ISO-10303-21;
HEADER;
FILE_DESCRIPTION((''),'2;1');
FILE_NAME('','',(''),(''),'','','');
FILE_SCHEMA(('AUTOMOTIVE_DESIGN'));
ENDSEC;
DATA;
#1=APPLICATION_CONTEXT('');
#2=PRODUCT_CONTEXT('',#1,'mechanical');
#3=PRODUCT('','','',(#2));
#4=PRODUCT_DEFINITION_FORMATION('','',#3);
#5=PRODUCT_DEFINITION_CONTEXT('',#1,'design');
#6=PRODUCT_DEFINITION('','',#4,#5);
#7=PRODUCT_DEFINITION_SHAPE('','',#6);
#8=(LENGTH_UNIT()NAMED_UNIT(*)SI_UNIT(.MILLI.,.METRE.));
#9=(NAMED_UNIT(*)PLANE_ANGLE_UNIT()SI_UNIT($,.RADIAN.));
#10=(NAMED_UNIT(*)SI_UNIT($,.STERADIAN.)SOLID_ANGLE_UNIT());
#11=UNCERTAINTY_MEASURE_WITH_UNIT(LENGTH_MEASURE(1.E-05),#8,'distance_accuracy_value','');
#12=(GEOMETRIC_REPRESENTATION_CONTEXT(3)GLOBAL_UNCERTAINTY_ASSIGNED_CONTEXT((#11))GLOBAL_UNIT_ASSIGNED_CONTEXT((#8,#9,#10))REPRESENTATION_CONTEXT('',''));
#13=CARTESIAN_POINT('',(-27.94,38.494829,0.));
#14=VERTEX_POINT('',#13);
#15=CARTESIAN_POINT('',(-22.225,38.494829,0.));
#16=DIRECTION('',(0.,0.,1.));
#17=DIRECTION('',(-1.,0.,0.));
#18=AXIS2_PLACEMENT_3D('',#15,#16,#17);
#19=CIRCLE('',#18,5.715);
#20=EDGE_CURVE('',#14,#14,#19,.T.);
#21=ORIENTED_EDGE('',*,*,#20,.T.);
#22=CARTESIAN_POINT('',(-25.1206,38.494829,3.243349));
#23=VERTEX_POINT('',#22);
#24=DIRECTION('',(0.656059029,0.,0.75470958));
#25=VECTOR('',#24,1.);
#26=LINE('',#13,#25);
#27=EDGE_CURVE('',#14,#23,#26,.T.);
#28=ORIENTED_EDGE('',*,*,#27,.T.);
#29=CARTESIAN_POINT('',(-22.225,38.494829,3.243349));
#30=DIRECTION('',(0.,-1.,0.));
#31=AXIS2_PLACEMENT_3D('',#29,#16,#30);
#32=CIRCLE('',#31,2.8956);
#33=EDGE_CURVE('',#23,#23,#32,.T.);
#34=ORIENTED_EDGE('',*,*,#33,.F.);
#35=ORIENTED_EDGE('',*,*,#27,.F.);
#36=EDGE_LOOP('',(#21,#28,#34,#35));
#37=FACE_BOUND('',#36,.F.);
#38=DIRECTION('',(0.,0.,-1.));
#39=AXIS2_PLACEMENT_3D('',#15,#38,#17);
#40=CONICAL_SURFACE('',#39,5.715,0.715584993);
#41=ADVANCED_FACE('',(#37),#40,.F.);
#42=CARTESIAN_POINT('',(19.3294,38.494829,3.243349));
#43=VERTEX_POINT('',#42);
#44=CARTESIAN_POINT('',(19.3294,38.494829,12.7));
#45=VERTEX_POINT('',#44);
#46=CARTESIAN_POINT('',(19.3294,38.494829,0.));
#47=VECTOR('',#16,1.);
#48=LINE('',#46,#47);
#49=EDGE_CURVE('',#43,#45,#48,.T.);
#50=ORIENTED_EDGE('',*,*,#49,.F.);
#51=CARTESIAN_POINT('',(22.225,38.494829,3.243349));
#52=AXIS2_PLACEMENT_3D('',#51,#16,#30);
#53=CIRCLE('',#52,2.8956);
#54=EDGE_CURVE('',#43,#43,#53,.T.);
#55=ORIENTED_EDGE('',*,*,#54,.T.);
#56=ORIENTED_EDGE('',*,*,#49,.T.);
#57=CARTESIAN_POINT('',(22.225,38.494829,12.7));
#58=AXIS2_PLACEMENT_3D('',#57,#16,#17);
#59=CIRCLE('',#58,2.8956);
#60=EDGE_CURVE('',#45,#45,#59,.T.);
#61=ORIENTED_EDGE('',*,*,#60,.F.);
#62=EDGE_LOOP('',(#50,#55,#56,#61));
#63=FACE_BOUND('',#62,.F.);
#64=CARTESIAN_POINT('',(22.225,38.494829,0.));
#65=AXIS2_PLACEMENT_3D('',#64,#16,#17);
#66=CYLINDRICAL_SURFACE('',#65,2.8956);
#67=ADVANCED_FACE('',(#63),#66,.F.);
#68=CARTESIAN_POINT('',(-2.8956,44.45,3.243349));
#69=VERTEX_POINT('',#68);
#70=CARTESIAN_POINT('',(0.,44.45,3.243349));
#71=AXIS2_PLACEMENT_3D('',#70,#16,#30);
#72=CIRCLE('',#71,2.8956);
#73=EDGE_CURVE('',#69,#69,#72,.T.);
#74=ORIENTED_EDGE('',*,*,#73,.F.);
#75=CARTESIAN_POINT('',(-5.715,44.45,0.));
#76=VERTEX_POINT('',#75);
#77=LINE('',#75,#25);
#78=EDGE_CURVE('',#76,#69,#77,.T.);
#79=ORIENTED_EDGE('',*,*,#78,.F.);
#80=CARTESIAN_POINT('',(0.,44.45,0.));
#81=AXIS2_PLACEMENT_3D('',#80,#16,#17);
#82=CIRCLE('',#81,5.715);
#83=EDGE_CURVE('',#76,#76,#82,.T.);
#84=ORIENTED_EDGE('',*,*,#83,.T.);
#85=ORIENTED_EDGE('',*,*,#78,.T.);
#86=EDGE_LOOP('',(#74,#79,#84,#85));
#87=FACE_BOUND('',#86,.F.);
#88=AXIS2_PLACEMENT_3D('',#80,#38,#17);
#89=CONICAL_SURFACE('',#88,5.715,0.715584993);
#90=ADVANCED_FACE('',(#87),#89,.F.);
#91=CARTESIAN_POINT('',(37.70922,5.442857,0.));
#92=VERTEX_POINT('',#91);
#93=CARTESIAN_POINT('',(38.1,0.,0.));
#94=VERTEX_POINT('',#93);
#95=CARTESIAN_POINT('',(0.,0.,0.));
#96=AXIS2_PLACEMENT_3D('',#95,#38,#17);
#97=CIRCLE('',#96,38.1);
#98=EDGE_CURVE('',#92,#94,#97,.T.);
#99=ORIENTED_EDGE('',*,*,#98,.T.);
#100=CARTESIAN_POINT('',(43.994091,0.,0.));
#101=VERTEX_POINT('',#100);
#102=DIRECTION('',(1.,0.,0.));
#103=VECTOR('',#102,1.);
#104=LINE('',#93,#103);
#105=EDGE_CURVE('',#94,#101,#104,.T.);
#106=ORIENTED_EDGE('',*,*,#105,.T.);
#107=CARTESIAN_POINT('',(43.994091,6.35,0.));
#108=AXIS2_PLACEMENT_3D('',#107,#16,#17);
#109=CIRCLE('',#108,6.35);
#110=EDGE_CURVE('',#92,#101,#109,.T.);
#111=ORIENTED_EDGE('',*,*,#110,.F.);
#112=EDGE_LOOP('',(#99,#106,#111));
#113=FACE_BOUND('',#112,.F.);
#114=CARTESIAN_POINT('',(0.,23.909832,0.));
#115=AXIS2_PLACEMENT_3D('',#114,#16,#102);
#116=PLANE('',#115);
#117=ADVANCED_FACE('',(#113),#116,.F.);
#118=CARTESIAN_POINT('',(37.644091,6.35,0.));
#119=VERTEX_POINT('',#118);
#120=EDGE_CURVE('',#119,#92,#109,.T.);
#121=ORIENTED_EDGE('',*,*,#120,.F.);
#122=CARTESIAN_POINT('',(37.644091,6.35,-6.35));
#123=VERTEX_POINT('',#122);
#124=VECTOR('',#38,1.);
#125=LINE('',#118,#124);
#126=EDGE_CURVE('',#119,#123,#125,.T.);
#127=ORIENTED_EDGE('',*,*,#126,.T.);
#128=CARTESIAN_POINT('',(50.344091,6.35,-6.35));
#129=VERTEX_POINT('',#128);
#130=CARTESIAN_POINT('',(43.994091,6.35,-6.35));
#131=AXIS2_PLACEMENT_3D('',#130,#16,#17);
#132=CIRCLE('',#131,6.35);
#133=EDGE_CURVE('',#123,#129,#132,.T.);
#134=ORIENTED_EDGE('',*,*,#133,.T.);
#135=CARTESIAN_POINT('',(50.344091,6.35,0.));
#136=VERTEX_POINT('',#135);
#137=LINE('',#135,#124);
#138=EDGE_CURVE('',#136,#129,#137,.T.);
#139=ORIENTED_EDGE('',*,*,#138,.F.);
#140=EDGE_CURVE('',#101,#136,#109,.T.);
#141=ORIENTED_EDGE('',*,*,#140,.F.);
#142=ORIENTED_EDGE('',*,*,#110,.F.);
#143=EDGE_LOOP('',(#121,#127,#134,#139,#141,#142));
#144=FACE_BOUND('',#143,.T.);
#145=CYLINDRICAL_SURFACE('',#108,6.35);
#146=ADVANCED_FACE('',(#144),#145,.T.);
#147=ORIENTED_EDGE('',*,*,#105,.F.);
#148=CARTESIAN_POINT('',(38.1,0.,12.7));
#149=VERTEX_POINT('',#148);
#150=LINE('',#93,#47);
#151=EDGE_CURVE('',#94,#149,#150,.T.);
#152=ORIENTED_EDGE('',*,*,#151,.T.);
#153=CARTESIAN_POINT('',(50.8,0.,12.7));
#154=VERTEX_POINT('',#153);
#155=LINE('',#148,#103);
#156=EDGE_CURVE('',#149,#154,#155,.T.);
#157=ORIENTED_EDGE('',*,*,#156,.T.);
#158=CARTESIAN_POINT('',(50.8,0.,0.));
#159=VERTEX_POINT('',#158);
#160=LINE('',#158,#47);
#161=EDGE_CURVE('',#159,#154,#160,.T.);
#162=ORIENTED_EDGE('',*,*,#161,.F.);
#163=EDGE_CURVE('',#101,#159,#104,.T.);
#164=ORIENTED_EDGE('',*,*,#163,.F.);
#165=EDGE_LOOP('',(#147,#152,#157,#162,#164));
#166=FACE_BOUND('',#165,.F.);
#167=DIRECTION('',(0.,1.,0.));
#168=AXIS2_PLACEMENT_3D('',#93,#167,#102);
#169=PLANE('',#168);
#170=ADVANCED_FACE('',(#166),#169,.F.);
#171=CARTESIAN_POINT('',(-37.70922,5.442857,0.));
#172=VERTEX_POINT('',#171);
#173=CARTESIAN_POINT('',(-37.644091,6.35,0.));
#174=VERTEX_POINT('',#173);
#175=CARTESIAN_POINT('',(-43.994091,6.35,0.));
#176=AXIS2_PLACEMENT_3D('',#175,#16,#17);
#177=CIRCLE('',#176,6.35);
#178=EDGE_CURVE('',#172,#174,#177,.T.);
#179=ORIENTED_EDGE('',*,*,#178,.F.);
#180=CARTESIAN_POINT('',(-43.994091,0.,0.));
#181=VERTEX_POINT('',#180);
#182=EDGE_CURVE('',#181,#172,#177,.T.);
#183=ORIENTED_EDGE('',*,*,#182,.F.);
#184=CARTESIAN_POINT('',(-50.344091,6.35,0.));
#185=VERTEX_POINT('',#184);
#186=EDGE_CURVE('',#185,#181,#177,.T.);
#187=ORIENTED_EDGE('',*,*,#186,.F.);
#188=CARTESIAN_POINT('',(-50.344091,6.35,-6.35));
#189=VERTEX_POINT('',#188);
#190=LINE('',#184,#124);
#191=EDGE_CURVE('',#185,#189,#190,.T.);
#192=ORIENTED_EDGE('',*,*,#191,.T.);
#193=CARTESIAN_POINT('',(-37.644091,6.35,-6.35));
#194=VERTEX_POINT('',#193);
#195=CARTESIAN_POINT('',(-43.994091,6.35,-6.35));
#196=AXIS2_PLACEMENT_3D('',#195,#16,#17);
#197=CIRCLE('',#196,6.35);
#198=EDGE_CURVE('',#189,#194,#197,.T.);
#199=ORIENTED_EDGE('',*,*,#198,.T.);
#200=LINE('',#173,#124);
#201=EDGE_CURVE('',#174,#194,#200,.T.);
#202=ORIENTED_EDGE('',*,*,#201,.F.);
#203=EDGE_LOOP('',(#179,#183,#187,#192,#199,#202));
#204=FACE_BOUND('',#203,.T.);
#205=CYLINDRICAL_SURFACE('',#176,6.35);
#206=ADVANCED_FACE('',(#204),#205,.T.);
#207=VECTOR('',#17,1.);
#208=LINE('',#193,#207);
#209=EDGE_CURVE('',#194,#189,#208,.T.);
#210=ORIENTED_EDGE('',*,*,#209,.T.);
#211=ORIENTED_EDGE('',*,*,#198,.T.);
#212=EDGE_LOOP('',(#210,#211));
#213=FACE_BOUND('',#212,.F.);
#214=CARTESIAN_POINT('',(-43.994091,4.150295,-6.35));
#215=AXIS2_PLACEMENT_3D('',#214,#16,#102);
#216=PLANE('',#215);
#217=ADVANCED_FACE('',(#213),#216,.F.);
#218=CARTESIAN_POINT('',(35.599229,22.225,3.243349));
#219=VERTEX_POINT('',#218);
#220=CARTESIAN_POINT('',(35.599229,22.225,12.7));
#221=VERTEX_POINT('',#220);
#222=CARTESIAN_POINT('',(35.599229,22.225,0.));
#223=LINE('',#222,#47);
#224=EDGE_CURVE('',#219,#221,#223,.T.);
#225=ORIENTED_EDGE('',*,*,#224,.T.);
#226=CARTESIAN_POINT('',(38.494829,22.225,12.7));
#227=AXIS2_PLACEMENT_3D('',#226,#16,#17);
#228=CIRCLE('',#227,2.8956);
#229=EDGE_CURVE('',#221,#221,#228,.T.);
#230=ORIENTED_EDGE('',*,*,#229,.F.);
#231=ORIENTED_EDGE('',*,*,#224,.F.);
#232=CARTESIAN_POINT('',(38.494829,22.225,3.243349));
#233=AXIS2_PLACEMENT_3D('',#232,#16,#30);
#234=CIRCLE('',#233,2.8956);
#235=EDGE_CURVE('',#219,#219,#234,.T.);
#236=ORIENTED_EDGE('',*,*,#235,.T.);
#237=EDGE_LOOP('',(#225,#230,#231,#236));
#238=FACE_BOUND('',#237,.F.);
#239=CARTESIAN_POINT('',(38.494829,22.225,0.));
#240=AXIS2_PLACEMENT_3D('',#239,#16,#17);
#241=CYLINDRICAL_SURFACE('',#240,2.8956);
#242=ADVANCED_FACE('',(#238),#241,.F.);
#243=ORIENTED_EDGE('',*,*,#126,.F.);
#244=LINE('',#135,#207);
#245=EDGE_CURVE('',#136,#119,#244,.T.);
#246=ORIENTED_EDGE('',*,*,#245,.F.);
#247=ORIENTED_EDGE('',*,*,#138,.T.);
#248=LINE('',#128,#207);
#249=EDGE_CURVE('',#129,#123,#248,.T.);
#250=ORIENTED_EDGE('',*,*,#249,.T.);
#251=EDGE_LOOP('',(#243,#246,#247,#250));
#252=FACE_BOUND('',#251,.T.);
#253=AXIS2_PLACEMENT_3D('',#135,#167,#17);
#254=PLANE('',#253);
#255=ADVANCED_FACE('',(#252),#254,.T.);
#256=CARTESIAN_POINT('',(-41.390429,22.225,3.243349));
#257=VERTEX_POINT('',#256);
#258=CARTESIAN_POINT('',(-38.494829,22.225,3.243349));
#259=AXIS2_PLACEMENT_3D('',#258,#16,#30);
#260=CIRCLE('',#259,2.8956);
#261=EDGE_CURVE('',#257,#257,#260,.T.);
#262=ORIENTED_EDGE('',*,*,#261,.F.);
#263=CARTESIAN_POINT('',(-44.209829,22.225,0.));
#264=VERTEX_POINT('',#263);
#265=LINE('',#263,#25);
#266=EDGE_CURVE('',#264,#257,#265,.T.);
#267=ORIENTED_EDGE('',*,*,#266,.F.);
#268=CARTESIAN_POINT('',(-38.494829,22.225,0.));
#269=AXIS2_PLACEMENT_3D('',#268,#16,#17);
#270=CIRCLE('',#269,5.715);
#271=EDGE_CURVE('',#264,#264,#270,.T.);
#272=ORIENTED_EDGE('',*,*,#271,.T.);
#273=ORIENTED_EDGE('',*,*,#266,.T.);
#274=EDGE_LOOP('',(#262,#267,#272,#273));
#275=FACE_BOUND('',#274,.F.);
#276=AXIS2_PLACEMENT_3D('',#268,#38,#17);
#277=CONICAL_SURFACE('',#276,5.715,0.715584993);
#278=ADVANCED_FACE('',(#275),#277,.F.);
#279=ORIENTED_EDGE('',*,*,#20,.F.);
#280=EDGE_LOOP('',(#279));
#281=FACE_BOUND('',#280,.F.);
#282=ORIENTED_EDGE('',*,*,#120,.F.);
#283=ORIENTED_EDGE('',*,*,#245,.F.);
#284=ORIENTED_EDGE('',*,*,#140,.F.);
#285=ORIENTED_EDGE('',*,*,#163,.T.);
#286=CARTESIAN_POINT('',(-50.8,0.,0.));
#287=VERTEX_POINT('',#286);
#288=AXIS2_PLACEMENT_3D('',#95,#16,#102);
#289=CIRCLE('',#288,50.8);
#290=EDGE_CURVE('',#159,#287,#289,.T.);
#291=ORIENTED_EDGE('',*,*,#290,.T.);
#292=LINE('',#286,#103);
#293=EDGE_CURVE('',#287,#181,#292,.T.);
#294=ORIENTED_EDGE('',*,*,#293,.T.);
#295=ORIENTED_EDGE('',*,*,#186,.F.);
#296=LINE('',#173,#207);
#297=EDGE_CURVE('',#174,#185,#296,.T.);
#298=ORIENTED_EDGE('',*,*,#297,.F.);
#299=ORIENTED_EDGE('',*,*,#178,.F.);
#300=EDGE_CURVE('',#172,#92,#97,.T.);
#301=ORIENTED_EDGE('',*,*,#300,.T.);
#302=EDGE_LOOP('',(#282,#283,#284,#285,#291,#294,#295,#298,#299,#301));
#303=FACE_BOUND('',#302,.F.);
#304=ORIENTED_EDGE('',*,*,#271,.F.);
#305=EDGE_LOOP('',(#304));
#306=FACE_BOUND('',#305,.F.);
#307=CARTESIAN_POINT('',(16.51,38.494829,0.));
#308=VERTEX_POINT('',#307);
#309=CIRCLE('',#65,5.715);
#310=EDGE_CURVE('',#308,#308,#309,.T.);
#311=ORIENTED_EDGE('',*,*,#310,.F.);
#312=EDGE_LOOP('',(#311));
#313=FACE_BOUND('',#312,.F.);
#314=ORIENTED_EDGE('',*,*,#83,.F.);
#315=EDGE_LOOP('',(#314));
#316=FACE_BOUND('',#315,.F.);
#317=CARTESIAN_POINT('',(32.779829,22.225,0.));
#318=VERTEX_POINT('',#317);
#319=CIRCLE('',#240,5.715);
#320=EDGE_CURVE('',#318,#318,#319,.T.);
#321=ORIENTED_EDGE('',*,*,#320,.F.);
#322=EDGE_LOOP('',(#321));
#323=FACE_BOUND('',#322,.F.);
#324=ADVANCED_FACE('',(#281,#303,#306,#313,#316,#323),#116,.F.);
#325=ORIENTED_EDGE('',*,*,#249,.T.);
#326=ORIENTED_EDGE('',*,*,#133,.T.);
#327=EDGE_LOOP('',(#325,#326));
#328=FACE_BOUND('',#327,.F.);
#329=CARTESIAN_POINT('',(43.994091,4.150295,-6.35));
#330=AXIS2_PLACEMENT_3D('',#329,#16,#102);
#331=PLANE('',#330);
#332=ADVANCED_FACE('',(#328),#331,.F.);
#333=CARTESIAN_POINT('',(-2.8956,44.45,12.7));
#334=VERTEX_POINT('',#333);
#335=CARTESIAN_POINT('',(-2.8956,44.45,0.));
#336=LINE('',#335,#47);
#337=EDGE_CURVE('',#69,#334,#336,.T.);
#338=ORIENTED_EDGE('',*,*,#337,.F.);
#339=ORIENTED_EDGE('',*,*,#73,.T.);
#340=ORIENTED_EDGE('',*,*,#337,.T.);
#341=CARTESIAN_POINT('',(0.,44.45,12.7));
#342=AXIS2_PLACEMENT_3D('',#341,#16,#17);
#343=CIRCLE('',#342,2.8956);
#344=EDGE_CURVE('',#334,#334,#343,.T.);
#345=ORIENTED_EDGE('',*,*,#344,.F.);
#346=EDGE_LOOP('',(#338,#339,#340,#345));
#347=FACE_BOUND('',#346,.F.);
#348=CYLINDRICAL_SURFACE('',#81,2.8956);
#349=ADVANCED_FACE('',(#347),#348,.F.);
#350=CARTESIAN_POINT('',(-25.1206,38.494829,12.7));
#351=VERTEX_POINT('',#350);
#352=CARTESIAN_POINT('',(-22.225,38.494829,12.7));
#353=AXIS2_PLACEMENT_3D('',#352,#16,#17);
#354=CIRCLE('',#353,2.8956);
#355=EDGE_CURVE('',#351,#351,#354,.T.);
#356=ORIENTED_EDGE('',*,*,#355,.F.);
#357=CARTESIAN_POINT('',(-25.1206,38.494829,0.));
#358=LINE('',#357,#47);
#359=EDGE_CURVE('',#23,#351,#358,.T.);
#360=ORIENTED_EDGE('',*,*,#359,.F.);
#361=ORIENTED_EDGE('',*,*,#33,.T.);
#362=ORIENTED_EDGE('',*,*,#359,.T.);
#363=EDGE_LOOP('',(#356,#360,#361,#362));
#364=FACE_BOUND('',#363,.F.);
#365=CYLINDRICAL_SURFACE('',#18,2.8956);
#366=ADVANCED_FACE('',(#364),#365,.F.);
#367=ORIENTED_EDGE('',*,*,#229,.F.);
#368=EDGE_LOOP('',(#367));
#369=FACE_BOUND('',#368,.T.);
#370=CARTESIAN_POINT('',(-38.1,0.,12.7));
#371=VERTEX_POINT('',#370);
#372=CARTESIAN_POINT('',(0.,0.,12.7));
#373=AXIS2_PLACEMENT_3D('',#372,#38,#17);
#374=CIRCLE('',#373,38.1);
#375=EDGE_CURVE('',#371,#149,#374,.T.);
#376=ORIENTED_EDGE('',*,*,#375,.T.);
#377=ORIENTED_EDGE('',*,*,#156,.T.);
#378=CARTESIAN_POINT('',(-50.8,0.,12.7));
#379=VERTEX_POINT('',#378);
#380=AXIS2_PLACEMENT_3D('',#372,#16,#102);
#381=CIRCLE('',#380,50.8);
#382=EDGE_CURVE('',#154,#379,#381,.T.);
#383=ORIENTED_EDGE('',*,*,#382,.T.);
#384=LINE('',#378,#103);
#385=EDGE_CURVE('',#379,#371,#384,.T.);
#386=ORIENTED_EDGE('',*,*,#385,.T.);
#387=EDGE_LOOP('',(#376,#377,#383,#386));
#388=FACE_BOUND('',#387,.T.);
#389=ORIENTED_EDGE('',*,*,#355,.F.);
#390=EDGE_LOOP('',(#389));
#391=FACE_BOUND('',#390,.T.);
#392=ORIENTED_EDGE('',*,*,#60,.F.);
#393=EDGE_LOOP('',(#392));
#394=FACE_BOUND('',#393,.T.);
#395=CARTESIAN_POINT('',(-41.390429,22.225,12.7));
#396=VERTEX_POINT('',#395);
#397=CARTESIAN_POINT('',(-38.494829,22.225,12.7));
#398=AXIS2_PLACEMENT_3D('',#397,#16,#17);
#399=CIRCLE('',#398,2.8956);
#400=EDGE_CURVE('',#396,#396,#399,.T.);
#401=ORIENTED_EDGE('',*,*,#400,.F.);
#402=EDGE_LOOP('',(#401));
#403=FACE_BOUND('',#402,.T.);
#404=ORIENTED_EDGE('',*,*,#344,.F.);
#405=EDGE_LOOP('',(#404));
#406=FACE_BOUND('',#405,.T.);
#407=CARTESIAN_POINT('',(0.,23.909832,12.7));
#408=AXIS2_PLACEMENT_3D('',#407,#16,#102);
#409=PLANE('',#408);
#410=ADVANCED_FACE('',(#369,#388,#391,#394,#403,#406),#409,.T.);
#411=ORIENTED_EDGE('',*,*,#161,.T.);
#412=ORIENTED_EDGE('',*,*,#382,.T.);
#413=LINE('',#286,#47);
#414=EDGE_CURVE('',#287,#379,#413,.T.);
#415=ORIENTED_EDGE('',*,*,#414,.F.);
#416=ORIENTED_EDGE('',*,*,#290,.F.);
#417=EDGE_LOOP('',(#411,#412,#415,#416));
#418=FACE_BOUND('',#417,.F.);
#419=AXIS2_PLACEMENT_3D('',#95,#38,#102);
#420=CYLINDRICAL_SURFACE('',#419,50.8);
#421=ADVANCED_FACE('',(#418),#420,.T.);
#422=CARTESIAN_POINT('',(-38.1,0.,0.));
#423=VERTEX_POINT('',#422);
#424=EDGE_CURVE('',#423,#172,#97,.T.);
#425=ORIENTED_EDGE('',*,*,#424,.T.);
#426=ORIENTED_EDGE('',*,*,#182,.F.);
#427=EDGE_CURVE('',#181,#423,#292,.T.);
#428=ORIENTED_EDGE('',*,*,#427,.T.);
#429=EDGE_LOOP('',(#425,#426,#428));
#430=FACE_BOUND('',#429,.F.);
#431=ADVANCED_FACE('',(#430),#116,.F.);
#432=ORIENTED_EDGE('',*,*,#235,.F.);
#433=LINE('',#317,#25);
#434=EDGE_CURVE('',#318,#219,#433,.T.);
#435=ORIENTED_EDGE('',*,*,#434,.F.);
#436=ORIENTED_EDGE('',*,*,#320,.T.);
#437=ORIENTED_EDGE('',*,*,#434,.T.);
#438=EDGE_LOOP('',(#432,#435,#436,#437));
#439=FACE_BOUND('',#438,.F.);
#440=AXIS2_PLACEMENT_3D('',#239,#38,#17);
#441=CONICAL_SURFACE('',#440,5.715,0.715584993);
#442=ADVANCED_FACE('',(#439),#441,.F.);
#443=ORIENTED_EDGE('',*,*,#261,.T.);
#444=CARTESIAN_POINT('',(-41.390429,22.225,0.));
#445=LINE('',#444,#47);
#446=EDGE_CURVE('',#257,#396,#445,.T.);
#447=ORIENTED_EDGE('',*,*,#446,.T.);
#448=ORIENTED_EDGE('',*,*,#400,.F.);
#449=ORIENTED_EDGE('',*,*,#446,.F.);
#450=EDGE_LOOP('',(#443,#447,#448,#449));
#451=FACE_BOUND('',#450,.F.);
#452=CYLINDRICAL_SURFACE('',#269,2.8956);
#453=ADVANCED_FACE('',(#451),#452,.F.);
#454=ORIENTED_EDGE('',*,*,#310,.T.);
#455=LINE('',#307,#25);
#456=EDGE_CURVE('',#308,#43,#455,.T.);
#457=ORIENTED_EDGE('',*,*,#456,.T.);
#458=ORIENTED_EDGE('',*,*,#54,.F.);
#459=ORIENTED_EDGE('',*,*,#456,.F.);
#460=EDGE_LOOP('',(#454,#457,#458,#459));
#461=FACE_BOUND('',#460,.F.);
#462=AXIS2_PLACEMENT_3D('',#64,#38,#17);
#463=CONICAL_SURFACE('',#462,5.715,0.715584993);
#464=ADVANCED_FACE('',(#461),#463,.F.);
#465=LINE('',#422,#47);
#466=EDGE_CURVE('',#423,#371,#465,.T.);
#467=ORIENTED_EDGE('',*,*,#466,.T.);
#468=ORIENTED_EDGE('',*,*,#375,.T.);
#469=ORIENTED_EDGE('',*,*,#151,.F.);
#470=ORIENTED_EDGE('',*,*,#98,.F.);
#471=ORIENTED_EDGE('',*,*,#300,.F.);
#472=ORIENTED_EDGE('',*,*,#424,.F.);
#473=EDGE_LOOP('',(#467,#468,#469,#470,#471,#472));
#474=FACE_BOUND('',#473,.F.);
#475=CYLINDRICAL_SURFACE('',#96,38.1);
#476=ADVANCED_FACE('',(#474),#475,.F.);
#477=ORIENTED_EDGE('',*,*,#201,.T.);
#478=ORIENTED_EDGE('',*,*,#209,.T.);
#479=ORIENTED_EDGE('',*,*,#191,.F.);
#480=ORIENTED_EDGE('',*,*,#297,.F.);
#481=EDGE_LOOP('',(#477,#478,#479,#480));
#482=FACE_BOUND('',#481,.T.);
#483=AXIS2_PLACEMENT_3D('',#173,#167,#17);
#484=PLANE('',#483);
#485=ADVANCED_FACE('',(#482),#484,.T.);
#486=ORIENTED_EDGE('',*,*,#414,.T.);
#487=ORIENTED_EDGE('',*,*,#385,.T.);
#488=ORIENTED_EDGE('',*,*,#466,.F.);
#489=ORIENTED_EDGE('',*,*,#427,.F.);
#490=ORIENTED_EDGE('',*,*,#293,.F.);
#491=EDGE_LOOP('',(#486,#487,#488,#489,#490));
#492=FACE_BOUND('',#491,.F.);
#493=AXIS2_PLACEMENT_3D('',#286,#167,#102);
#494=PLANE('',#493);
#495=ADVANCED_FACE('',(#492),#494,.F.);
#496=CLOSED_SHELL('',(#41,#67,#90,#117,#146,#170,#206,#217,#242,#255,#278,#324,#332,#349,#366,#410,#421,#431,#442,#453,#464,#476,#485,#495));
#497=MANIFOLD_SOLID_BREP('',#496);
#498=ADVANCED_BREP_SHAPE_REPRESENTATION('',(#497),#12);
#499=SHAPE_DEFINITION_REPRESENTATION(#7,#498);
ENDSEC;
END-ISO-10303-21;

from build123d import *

# Parameters (mm, degrees)
F1_DEPTH       = 12.7
F3_DEPTH       = 6.35
F5_D           = 5.7912
F5_CSINK_D     = 11.43
F5_CSINK_ANGLE = 82


with BuildPart() as f1:
    # F0 (on Top) → F1 (new body)
    with BuildSketch(Plane.XY):
        with BuildLine():
            ThreePointArc((50.8, 0), (0, 50.8), (-50.8, 0))
            Line((-50.8, 0), (-38.1, 0))
            ThreePointArc((-38.1, 0), (0, 38.1), (38.1, 0))
            Line((38.1, 0), (50.8, 0))
        make_face()
    extrude(amount=F1_DEPTH)

    # F2 (on Top) → F3 (join)
    with BuildSketch(Plane.XY):
        with BuildLine():
            Line((43.9940905122, 6.35), (37.6440905122, 6.35))
            ThreePointArc((37.6440905122, 6.35), (43.9940905122, 0), (50.3440905122, 6.35))
            Line((50.3440905122, 6.35), (43.9940905122, 6.35))
        make_face()
        with BuildLine():
            ThreePointArc((-50.3440905122, 6.35), (-43.9940905122, 0), (-37.6440905122, 6.35))
            Line((-37.6440905122, 6.35), (-43.9940905122, 6.35))
            Line((-43.9940905122, 6.35), (-50.3440905122, 6.35))
        make_face()
    extrude(amount=-F3_DEPTH)

    # F5 (through all)
    with Locations(Plane(origin=(0, 0, 0), x_dir=(1, 0, 0), z_dir=(0, 0, -1))):
        with Locations((-38.4948291982, -22.225), (-22.225, -38.4948291982), (0, -44.45), (22.225, -38.4948291982), (38.4948291982, -22.225)):
            CounterSinkHole(F5_D / 2, F5_CSINK_D / 2, counter_sink_angle=F5_CSINK_ANGLE)


solid = f1.part
